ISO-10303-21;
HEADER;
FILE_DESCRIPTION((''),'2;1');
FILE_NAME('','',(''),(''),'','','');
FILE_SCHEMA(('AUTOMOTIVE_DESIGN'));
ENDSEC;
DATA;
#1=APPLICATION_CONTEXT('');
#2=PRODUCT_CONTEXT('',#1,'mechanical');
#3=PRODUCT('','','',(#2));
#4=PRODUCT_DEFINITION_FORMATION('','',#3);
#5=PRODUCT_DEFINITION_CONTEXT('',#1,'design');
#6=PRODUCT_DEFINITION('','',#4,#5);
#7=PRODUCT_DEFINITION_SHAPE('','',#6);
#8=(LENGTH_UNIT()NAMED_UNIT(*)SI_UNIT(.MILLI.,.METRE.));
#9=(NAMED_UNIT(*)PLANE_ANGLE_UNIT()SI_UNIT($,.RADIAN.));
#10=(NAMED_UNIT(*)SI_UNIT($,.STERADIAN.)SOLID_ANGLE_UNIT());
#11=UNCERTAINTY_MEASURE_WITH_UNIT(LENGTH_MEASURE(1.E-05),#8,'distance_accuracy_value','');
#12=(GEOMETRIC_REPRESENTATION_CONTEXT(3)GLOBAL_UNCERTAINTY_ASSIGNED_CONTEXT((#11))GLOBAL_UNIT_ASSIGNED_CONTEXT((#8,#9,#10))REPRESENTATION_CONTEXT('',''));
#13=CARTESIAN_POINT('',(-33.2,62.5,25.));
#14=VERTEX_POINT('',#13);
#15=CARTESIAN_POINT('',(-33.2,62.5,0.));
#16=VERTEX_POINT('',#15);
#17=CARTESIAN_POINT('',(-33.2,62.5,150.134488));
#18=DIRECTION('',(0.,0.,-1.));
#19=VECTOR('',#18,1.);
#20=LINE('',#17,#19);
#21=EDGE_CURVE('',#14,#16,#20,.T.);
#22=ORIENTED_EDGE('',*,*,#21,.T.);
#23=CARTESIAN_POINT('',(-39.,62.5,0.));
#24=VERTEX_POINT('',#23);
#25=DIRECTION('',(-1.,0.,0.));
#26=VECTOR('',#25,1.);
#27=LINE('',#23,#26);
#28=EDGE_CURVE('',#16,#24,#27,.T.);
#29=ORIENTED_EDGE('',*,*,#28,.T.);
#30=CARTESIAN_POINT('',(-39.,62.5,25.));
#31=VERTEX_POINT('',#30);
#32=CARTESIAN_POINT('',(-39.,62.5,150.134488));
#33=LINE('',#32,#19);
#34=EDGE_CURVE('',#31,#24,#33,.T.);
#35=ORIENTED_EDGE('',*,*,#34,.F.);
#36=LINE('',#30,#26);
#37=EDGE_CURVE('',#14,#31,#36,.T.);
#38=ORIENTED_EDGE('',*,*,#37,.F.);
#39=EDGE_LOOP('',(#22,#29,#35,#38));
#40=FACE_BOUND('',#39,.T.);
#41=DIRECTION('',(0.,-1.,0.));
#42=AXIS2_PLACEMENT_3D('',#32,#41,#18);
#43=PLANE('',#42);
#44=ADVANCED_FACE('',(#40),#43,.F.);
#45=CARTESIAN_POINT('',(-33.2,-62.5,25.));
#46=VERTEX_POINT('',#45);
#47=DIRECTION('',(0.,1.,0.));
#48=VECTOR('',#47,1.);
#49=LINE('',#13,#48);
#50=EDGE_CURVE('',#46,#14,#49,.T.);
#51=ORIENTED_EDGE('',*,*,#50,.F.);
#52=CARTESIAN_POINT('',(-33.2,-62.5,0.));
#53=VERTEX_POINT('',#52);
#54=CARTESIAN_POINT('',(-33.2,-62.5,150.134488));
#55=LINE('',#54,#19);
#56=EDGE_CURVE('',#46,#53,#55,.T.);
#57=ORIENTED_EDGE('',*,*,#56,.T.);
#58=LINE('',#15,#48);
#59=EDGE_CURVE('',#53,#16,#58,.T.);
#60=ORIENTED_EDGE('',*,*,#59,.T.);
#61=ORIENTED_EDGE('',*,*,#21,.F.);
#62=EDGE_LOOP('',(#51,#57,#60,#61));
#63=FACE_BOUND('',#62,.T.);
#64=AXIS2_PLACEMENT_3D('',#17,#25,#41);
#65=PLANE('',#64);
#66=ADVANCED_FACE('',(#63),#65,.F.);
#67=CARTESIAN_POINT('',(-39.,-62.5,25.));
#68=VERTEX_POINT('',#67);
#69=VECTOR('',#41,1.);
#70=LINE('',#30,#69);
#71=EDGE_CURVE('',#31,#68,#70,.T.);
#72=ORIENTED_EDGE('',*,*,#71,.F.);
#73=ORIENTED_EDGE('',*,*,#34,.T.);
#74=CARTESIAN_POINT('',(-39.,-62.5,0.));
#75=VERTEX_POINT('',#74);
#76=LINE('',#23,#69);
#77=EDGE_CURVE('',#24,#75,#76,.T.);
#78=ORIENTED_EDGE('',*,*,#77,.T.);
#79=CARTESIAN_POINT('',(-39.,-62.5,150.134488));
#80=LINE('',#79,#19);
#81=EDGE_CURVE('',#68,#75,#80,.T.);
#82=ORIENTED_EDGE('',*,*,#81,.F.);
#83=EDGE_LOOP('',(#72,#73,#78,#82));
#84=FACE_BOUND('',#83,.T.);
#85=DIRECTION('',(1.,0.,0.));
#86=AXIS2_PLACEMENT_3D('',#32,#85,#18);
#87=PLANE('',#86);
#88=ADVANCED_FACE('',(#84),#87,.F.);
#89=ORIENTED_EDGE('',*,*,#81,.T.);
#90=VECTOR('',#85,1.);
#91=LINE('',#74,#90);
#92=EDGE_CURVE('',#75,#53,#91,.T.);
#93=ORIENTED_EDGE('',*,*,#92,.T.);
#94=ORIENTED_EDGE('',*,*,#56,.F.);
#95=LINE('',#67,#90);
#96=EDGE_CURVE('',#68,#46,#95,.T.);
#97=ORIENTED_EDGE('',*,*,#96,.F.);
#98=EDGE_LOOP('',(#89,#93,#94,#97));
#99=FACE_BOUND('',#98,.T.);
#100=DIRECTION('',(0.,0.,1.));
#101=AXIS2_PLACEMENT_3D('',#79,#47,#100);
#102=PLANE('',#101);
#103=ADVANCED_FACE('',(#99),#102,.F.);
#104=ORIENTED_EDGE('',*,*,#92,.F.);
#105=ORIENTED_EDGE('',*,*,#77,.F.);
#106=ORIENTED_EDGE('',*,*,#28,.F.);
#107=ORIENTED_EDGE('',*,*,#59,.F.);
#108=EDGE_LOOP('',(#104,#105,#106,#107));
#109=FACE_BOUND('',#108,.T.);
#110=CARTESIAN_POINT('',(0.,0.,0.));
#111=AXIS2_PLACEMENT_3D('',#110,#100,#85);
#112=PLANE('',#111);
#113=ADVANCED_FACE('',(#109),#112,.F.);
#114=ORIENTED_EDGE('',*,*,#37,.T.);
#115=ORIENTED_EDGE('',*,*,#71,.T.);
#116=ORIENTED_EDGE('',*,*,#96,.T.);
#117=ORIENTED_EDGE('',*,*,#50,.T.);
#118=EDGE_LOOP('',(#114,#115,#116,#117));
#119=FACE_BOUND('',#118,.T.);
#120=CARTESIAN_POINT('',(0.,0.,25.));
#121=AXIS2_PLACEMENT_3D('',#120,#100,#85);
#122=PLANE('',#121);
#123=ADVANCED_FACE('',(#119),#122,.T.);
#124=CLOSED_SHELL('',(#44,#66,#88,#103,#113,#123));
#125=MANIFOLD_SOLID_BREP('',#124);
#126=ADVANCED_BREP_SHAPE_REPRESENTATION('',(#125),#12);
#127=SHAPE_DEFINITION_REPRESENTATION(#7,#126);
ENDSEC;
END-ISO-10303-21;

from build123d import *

# Parameters (mm, degrees)
SKETCH1_W           = 5.8
SKETCH1_H           = 125
BOSS_EXTRUDE1_DEPTH = 25


with BuildPart() as part:
    # Sketch1 → Boss-Extrude1 (new body)
    with BuildSketch(Plane.XY):
        with Locations((-36.1, 0)):
            Rectangle(SKETCH1_W, SKETCH1_H)
    extrude(amount=BOSS_EXTRUDE1_DEPTH)


solid = part.part
